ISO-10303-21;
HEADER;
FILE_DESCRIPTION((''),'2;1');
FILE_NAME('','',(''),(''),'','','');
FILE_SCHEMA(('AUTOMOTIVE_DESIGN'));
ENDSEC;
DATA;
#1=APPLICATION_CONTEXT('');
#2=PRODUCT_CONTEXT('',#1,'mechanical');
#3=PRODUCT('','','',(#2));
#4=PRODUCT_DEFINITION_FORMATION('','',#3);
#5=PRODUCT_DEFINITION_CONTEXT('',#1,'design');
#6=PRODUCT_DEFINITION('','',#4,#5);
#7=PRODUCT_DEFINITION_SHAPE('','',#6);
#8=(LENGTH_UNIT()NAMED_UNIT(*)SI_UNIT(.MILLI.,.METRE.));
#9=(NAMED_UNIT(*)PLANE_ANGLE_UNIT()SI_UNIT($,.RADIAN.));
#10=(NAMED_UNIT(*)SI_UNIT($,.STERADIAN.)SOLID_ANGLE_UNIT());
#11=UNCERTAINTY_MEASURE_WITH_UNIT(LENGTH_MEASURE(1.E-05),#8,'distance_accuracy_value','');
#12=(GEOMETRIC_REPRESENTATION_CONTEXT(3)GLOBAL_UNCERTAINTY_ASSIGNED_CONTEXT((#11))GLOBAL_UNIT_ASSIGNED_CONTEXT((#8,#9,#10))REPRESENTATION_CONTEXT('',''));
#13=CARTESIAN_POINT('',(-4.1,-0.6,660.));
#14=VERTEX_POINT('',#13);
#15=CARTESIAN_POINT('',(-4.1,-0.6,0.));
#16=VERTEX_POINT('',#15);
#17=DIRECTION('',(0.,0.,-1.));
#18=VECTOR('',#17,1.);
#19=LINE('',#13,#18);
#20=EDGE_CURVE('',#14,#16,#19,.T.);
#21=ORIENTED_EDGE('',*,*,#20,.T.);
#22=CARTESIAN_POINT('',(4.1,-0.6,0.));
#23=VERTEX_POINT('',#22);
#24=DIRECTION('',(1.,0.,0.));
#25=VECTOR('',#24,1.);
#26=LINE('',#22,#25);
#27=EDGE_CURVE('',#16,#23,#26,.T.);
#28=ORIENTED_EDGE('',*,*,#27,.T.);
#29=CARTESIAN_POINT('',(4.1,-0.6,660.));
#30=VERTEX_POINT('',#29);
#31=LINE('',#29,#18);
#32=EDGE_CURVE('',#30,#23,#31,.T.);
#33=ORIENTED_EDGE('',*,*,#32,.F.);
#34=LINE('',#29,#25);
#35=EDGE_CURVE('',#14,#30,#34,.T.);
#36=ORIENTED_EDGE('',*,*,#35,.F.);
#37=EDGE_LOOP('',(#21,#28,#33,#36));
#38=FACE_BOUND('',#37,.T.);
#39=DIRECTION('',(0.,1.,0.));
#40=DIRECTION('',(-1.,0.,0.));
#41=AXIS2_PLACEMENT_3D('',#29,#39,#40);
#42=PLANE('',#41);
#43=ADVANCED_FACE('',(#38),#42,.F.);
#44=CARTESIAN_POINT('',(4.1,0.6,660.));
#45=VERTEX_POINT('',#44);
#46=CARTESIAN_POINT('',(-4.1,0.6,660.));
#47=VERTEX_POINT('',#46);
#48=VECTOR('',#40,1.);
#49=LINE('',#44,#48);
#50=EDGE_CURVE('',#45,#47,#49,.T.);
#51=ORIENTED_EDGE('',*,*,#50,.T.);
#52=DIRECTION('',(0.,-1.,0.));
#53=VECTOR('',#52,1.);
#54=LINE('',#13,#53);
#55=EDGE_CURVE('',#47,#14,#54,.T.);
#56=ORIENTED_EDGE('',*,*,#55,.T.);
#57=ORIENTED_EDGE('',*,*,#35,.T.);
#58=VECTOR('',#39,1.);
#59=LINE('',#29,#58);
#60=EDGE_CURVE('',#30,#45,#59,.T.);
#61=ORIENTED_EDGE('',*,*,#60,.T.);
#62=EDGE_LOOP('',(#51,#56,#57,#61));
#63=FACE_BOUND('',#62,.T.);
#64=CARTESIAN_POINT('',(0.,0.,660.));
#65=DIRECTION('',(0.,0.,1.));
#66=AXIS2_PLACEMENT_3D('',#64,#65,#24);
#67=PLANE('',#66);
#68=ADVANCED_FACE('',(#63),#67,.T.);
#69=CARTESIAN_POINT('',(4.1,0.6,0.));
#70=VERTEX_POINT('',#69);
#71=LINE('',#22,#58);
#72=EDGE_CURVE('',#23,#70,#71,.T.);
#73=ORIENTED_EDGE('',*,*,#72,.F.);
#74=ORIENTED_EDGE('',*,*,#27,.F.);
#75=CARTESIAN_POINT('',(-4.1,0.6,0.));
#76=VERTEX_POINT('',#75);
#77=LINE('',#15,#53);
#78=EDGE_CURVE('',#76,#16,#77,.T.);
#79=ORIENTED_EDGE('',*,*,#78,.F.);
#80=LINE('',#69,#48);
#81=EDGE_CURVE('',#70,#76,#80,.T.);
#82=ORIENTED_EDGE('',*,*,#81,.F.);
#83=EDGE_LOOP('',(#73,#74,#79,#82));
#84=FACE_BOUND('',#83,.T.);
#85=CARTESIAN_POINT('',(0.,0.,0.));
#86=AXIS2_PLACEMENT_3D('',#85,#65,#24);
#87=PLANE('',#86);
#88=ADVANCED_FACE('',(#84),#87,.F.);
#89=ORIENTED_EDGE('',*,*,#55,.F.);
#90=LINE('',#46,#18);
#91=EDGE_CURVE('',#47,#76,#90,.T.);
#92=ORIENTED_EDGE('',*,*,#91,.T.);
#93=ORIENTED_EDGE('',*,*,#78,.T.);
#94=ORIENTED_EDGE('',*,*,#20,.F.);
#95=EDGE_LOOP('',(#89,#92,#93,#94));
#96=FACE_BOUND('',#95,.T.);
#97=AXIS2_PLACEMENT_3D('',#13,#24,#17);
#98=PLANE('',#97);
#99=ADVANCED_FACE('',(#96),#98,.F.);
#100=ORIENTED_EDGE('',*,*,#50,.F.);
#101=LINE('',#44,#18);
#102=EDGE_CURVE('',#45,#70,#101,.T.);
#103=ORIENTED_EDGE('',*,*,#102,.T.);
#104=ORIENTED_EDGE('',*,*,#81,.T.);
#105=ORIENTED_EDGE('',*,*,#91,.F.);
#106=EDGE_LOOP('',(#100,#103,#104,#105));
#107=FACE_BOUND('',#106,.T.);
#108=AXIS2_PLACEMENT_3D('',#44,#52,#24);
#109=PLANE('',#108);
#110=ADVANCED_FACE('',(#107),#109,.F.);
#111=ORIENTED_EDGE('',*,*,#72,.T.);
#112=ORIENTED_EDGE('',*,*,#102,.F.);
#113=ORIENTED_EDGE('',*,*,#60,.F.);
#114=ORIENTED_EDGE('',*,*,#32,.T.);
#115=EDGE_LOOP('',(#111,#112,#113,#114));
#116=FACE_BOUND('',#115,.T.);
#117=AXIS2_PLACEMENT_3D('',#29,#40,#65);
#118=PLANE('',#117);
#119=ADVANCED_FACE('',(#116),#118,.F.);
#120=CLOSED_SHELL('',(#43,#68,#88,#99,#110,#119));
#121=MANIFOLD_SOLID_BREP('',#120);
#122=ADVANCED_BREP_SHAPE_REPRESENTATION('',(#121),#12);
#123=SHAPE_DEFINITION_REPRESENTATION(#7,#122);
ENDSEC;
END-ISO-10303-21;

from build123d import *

# Parameters (mm, degrees)
SCHIZZO1_W                   = 8.2
SCHIZZO1_H                   = 1.2
ESTRUSIONE_ESTRUSIONE1_DEPTH = 660


with BuildPart() as part:
    # Schizzo1 → Estrusione-Estrusione1 (new body)
    with BuildSketch(Plane.XY):
        Rectangle(SCHIZZO1_W, SCHIZZO1_H)
    extrude(amount=ESTRUSIONE_ESTRUSIONE1_DEPTH)


solid = part.part
